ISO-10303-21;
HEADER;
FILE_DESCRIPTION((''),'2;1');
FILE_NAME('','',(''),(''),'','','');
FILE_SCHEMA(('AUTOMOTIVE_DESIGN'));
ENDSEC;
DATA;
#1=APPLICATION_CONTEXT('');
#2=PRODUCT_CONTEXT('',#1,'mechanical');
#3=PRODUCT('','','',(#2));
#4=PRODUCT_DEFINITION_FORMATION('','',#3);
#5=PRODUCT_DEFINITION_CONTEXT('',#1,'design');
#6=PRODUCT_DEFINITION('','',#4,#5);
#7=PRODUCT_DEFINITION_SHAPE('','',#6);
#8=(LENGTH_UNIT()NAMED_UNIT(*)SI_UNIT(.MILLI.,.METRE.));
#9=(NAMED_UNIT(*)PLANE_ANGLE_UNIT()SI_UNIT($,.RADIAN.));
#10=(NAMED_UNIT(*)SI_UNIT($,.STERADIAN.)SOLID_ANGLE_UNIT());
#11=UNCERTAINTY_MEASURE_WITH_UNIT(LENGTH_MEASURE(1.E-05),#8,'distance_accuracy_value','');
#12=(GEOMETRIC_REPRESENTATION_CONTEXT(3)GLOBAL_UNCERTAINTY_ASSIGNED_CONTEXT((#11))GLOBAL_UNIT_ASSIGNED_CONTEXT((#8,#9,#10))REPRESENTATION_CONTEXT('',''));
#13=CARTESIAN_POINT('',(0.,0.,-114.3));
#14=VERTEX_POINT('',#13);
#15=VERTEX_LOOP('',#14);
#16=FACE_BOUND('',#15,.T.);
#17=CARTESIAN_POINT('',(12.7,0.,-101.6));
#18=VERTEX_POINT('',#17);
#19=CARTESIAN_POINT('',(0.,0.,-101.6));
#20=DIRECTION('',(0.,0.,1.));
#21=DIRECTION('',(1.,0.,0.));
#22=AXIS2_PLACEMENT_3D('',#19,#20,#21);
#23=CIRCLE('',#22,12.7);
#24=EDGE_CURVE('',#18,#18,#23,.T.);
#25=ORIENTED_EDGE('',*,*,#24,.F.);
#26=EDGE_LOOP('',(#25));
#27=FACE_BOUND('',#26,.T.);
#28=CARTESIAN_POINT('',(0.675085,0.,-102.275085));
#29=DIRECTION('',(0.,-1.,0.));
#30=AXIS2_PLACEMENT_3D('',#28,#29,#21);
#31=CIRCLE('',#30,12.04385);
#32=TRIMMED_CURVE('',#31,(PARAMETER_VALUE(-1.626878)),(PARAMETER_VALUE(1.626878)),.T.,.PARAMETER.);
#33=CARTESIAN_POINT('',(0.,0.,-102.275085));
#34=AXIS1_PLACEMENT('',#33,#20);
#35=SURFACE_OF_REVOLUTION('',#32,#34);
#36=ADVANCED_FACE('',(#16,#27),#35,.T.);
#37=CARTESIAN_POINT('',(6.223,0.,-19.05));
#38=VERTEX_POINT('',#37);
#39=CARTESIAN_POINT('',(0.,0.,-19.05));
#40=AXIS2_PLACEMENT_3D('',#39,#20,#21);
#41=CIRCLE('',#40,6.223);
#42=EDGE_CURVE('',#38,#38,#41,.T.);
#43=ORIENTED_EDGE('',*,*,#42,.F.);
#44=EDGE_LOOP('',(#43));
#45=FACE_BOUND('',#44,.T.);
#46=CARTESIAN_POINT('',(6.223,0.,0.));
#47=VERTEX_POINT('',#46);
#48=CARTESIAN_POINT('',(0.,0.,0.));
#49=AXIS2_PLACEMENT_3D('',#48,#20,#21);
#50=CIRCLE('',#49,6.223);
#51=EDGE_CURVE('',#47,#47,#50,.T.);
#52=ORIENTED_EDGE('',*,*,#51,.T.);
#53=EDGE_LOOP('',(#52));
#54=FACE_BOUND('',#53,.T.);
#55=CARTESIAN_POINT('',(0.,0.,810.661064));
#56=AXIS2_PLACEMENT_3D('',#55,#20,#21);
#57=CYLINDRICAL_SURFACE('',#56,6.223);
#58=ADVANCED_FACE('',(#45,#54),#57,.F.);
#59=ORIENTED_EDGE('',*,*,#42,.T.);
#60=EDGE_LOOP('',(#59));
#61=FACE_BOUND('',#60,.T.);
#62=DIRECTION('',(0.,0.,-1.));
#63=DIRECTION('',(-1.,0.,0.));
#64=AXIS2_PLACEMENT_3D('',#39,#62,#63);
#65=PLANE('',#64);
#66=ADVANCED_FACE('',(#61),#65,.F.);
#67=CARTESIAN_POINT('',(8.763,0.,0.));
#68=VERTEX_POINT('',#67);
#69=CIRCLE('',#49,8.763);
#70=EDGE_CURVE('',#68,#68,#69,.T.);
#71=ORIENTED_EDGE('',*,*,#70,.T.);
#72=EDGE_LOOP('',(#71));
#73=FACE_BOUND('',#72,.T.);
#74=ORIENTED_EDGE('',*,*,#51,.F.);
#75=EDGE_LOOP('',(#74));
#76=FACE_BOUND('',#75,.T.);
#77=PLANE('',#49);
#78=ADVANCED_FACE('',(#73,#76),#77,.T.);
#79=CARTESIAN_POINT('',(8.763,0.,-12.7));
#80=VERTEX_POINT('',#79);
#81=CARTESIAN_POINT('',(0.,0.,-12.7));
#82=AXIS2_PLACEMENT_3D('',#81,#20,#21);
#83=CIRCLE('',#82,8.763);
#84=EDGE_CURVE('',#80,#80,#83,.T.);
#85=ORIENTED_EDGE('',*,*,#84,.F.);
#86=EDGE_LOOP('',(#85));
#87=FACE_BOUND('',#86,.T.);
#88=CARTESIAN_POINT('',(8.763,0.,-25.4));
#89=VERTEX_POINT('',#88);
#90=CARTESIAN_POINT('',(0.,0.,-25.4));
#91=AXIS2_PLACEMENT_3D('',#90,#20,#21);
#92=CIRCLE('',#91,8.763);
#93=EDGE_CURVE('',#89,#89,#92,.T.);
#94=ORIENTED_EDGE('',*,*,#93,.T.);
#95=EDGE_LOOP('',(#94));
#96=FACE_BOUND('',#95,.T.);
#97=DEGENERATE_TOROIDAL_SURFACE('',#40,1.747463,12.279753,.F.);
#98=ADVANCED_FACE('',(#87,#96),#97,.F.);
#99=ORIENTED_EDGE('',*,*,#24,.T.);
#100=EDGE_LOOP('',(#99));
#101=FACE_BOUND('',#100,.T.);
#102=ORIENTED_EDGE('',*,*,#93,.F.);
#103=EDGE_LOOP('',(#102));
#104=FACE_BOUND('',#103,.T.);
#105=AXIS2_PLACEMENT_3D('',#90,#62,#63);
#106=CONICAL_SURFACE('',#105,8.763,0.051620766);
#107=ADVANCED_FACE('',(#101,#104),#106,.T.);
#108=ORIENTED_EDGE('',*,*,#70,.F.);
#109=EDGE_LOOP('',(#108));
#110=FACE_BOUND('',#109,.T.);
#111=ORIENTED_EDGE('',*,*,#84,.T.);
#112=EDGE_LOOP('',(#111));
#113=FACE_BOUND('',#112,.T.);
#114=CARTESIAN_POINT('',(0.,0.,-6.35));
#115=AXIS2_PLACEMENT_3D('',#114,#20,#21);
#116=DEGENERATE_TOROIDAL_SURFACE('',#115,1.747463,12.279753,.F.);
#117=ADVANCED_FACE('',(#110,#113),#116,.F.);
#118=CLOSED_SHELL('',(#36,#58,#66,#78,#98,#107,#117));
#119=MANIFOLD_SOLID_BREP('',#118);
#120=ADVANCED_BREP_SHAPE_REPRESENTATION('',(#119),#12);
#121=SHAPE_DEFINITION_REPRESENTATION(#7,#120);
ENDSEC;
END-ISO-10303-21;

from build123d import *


with BuildPart() as part:
    # Sketch1 → Revolve1 (revolve)
    with BuildSketch(Plane(origin=(0, 0, 0), x_dir=(1, 0, 0), z_dir=(0, 1, 0))):
        with BuildLine():
            Line((8.763, 25.4), (12.7, 101.6))
            ThreePointArc((12.7, 101.6), (9.191372869, 110.791372869), (0, 114.3))
            Line((0, 114.3), (0, 19.05))
            Line((0, 19.05), (6.223, 19.05))
            Line((6.223, 19.05), (6.223, 0))
            Line((6.223, 0), (8.763, 0))
            ThreePointArc((8.763, 0), (10.532289915, 6.35), (8.763, 12.7))
            ThreePointArc((8.763, 12.7), (10.532289915, 19.05), (8.763, 25.4))
        make_face()
    revolve(axis=Axis((0, 0, 810.661063807), (0, 0, -1)))


solid = part.part
